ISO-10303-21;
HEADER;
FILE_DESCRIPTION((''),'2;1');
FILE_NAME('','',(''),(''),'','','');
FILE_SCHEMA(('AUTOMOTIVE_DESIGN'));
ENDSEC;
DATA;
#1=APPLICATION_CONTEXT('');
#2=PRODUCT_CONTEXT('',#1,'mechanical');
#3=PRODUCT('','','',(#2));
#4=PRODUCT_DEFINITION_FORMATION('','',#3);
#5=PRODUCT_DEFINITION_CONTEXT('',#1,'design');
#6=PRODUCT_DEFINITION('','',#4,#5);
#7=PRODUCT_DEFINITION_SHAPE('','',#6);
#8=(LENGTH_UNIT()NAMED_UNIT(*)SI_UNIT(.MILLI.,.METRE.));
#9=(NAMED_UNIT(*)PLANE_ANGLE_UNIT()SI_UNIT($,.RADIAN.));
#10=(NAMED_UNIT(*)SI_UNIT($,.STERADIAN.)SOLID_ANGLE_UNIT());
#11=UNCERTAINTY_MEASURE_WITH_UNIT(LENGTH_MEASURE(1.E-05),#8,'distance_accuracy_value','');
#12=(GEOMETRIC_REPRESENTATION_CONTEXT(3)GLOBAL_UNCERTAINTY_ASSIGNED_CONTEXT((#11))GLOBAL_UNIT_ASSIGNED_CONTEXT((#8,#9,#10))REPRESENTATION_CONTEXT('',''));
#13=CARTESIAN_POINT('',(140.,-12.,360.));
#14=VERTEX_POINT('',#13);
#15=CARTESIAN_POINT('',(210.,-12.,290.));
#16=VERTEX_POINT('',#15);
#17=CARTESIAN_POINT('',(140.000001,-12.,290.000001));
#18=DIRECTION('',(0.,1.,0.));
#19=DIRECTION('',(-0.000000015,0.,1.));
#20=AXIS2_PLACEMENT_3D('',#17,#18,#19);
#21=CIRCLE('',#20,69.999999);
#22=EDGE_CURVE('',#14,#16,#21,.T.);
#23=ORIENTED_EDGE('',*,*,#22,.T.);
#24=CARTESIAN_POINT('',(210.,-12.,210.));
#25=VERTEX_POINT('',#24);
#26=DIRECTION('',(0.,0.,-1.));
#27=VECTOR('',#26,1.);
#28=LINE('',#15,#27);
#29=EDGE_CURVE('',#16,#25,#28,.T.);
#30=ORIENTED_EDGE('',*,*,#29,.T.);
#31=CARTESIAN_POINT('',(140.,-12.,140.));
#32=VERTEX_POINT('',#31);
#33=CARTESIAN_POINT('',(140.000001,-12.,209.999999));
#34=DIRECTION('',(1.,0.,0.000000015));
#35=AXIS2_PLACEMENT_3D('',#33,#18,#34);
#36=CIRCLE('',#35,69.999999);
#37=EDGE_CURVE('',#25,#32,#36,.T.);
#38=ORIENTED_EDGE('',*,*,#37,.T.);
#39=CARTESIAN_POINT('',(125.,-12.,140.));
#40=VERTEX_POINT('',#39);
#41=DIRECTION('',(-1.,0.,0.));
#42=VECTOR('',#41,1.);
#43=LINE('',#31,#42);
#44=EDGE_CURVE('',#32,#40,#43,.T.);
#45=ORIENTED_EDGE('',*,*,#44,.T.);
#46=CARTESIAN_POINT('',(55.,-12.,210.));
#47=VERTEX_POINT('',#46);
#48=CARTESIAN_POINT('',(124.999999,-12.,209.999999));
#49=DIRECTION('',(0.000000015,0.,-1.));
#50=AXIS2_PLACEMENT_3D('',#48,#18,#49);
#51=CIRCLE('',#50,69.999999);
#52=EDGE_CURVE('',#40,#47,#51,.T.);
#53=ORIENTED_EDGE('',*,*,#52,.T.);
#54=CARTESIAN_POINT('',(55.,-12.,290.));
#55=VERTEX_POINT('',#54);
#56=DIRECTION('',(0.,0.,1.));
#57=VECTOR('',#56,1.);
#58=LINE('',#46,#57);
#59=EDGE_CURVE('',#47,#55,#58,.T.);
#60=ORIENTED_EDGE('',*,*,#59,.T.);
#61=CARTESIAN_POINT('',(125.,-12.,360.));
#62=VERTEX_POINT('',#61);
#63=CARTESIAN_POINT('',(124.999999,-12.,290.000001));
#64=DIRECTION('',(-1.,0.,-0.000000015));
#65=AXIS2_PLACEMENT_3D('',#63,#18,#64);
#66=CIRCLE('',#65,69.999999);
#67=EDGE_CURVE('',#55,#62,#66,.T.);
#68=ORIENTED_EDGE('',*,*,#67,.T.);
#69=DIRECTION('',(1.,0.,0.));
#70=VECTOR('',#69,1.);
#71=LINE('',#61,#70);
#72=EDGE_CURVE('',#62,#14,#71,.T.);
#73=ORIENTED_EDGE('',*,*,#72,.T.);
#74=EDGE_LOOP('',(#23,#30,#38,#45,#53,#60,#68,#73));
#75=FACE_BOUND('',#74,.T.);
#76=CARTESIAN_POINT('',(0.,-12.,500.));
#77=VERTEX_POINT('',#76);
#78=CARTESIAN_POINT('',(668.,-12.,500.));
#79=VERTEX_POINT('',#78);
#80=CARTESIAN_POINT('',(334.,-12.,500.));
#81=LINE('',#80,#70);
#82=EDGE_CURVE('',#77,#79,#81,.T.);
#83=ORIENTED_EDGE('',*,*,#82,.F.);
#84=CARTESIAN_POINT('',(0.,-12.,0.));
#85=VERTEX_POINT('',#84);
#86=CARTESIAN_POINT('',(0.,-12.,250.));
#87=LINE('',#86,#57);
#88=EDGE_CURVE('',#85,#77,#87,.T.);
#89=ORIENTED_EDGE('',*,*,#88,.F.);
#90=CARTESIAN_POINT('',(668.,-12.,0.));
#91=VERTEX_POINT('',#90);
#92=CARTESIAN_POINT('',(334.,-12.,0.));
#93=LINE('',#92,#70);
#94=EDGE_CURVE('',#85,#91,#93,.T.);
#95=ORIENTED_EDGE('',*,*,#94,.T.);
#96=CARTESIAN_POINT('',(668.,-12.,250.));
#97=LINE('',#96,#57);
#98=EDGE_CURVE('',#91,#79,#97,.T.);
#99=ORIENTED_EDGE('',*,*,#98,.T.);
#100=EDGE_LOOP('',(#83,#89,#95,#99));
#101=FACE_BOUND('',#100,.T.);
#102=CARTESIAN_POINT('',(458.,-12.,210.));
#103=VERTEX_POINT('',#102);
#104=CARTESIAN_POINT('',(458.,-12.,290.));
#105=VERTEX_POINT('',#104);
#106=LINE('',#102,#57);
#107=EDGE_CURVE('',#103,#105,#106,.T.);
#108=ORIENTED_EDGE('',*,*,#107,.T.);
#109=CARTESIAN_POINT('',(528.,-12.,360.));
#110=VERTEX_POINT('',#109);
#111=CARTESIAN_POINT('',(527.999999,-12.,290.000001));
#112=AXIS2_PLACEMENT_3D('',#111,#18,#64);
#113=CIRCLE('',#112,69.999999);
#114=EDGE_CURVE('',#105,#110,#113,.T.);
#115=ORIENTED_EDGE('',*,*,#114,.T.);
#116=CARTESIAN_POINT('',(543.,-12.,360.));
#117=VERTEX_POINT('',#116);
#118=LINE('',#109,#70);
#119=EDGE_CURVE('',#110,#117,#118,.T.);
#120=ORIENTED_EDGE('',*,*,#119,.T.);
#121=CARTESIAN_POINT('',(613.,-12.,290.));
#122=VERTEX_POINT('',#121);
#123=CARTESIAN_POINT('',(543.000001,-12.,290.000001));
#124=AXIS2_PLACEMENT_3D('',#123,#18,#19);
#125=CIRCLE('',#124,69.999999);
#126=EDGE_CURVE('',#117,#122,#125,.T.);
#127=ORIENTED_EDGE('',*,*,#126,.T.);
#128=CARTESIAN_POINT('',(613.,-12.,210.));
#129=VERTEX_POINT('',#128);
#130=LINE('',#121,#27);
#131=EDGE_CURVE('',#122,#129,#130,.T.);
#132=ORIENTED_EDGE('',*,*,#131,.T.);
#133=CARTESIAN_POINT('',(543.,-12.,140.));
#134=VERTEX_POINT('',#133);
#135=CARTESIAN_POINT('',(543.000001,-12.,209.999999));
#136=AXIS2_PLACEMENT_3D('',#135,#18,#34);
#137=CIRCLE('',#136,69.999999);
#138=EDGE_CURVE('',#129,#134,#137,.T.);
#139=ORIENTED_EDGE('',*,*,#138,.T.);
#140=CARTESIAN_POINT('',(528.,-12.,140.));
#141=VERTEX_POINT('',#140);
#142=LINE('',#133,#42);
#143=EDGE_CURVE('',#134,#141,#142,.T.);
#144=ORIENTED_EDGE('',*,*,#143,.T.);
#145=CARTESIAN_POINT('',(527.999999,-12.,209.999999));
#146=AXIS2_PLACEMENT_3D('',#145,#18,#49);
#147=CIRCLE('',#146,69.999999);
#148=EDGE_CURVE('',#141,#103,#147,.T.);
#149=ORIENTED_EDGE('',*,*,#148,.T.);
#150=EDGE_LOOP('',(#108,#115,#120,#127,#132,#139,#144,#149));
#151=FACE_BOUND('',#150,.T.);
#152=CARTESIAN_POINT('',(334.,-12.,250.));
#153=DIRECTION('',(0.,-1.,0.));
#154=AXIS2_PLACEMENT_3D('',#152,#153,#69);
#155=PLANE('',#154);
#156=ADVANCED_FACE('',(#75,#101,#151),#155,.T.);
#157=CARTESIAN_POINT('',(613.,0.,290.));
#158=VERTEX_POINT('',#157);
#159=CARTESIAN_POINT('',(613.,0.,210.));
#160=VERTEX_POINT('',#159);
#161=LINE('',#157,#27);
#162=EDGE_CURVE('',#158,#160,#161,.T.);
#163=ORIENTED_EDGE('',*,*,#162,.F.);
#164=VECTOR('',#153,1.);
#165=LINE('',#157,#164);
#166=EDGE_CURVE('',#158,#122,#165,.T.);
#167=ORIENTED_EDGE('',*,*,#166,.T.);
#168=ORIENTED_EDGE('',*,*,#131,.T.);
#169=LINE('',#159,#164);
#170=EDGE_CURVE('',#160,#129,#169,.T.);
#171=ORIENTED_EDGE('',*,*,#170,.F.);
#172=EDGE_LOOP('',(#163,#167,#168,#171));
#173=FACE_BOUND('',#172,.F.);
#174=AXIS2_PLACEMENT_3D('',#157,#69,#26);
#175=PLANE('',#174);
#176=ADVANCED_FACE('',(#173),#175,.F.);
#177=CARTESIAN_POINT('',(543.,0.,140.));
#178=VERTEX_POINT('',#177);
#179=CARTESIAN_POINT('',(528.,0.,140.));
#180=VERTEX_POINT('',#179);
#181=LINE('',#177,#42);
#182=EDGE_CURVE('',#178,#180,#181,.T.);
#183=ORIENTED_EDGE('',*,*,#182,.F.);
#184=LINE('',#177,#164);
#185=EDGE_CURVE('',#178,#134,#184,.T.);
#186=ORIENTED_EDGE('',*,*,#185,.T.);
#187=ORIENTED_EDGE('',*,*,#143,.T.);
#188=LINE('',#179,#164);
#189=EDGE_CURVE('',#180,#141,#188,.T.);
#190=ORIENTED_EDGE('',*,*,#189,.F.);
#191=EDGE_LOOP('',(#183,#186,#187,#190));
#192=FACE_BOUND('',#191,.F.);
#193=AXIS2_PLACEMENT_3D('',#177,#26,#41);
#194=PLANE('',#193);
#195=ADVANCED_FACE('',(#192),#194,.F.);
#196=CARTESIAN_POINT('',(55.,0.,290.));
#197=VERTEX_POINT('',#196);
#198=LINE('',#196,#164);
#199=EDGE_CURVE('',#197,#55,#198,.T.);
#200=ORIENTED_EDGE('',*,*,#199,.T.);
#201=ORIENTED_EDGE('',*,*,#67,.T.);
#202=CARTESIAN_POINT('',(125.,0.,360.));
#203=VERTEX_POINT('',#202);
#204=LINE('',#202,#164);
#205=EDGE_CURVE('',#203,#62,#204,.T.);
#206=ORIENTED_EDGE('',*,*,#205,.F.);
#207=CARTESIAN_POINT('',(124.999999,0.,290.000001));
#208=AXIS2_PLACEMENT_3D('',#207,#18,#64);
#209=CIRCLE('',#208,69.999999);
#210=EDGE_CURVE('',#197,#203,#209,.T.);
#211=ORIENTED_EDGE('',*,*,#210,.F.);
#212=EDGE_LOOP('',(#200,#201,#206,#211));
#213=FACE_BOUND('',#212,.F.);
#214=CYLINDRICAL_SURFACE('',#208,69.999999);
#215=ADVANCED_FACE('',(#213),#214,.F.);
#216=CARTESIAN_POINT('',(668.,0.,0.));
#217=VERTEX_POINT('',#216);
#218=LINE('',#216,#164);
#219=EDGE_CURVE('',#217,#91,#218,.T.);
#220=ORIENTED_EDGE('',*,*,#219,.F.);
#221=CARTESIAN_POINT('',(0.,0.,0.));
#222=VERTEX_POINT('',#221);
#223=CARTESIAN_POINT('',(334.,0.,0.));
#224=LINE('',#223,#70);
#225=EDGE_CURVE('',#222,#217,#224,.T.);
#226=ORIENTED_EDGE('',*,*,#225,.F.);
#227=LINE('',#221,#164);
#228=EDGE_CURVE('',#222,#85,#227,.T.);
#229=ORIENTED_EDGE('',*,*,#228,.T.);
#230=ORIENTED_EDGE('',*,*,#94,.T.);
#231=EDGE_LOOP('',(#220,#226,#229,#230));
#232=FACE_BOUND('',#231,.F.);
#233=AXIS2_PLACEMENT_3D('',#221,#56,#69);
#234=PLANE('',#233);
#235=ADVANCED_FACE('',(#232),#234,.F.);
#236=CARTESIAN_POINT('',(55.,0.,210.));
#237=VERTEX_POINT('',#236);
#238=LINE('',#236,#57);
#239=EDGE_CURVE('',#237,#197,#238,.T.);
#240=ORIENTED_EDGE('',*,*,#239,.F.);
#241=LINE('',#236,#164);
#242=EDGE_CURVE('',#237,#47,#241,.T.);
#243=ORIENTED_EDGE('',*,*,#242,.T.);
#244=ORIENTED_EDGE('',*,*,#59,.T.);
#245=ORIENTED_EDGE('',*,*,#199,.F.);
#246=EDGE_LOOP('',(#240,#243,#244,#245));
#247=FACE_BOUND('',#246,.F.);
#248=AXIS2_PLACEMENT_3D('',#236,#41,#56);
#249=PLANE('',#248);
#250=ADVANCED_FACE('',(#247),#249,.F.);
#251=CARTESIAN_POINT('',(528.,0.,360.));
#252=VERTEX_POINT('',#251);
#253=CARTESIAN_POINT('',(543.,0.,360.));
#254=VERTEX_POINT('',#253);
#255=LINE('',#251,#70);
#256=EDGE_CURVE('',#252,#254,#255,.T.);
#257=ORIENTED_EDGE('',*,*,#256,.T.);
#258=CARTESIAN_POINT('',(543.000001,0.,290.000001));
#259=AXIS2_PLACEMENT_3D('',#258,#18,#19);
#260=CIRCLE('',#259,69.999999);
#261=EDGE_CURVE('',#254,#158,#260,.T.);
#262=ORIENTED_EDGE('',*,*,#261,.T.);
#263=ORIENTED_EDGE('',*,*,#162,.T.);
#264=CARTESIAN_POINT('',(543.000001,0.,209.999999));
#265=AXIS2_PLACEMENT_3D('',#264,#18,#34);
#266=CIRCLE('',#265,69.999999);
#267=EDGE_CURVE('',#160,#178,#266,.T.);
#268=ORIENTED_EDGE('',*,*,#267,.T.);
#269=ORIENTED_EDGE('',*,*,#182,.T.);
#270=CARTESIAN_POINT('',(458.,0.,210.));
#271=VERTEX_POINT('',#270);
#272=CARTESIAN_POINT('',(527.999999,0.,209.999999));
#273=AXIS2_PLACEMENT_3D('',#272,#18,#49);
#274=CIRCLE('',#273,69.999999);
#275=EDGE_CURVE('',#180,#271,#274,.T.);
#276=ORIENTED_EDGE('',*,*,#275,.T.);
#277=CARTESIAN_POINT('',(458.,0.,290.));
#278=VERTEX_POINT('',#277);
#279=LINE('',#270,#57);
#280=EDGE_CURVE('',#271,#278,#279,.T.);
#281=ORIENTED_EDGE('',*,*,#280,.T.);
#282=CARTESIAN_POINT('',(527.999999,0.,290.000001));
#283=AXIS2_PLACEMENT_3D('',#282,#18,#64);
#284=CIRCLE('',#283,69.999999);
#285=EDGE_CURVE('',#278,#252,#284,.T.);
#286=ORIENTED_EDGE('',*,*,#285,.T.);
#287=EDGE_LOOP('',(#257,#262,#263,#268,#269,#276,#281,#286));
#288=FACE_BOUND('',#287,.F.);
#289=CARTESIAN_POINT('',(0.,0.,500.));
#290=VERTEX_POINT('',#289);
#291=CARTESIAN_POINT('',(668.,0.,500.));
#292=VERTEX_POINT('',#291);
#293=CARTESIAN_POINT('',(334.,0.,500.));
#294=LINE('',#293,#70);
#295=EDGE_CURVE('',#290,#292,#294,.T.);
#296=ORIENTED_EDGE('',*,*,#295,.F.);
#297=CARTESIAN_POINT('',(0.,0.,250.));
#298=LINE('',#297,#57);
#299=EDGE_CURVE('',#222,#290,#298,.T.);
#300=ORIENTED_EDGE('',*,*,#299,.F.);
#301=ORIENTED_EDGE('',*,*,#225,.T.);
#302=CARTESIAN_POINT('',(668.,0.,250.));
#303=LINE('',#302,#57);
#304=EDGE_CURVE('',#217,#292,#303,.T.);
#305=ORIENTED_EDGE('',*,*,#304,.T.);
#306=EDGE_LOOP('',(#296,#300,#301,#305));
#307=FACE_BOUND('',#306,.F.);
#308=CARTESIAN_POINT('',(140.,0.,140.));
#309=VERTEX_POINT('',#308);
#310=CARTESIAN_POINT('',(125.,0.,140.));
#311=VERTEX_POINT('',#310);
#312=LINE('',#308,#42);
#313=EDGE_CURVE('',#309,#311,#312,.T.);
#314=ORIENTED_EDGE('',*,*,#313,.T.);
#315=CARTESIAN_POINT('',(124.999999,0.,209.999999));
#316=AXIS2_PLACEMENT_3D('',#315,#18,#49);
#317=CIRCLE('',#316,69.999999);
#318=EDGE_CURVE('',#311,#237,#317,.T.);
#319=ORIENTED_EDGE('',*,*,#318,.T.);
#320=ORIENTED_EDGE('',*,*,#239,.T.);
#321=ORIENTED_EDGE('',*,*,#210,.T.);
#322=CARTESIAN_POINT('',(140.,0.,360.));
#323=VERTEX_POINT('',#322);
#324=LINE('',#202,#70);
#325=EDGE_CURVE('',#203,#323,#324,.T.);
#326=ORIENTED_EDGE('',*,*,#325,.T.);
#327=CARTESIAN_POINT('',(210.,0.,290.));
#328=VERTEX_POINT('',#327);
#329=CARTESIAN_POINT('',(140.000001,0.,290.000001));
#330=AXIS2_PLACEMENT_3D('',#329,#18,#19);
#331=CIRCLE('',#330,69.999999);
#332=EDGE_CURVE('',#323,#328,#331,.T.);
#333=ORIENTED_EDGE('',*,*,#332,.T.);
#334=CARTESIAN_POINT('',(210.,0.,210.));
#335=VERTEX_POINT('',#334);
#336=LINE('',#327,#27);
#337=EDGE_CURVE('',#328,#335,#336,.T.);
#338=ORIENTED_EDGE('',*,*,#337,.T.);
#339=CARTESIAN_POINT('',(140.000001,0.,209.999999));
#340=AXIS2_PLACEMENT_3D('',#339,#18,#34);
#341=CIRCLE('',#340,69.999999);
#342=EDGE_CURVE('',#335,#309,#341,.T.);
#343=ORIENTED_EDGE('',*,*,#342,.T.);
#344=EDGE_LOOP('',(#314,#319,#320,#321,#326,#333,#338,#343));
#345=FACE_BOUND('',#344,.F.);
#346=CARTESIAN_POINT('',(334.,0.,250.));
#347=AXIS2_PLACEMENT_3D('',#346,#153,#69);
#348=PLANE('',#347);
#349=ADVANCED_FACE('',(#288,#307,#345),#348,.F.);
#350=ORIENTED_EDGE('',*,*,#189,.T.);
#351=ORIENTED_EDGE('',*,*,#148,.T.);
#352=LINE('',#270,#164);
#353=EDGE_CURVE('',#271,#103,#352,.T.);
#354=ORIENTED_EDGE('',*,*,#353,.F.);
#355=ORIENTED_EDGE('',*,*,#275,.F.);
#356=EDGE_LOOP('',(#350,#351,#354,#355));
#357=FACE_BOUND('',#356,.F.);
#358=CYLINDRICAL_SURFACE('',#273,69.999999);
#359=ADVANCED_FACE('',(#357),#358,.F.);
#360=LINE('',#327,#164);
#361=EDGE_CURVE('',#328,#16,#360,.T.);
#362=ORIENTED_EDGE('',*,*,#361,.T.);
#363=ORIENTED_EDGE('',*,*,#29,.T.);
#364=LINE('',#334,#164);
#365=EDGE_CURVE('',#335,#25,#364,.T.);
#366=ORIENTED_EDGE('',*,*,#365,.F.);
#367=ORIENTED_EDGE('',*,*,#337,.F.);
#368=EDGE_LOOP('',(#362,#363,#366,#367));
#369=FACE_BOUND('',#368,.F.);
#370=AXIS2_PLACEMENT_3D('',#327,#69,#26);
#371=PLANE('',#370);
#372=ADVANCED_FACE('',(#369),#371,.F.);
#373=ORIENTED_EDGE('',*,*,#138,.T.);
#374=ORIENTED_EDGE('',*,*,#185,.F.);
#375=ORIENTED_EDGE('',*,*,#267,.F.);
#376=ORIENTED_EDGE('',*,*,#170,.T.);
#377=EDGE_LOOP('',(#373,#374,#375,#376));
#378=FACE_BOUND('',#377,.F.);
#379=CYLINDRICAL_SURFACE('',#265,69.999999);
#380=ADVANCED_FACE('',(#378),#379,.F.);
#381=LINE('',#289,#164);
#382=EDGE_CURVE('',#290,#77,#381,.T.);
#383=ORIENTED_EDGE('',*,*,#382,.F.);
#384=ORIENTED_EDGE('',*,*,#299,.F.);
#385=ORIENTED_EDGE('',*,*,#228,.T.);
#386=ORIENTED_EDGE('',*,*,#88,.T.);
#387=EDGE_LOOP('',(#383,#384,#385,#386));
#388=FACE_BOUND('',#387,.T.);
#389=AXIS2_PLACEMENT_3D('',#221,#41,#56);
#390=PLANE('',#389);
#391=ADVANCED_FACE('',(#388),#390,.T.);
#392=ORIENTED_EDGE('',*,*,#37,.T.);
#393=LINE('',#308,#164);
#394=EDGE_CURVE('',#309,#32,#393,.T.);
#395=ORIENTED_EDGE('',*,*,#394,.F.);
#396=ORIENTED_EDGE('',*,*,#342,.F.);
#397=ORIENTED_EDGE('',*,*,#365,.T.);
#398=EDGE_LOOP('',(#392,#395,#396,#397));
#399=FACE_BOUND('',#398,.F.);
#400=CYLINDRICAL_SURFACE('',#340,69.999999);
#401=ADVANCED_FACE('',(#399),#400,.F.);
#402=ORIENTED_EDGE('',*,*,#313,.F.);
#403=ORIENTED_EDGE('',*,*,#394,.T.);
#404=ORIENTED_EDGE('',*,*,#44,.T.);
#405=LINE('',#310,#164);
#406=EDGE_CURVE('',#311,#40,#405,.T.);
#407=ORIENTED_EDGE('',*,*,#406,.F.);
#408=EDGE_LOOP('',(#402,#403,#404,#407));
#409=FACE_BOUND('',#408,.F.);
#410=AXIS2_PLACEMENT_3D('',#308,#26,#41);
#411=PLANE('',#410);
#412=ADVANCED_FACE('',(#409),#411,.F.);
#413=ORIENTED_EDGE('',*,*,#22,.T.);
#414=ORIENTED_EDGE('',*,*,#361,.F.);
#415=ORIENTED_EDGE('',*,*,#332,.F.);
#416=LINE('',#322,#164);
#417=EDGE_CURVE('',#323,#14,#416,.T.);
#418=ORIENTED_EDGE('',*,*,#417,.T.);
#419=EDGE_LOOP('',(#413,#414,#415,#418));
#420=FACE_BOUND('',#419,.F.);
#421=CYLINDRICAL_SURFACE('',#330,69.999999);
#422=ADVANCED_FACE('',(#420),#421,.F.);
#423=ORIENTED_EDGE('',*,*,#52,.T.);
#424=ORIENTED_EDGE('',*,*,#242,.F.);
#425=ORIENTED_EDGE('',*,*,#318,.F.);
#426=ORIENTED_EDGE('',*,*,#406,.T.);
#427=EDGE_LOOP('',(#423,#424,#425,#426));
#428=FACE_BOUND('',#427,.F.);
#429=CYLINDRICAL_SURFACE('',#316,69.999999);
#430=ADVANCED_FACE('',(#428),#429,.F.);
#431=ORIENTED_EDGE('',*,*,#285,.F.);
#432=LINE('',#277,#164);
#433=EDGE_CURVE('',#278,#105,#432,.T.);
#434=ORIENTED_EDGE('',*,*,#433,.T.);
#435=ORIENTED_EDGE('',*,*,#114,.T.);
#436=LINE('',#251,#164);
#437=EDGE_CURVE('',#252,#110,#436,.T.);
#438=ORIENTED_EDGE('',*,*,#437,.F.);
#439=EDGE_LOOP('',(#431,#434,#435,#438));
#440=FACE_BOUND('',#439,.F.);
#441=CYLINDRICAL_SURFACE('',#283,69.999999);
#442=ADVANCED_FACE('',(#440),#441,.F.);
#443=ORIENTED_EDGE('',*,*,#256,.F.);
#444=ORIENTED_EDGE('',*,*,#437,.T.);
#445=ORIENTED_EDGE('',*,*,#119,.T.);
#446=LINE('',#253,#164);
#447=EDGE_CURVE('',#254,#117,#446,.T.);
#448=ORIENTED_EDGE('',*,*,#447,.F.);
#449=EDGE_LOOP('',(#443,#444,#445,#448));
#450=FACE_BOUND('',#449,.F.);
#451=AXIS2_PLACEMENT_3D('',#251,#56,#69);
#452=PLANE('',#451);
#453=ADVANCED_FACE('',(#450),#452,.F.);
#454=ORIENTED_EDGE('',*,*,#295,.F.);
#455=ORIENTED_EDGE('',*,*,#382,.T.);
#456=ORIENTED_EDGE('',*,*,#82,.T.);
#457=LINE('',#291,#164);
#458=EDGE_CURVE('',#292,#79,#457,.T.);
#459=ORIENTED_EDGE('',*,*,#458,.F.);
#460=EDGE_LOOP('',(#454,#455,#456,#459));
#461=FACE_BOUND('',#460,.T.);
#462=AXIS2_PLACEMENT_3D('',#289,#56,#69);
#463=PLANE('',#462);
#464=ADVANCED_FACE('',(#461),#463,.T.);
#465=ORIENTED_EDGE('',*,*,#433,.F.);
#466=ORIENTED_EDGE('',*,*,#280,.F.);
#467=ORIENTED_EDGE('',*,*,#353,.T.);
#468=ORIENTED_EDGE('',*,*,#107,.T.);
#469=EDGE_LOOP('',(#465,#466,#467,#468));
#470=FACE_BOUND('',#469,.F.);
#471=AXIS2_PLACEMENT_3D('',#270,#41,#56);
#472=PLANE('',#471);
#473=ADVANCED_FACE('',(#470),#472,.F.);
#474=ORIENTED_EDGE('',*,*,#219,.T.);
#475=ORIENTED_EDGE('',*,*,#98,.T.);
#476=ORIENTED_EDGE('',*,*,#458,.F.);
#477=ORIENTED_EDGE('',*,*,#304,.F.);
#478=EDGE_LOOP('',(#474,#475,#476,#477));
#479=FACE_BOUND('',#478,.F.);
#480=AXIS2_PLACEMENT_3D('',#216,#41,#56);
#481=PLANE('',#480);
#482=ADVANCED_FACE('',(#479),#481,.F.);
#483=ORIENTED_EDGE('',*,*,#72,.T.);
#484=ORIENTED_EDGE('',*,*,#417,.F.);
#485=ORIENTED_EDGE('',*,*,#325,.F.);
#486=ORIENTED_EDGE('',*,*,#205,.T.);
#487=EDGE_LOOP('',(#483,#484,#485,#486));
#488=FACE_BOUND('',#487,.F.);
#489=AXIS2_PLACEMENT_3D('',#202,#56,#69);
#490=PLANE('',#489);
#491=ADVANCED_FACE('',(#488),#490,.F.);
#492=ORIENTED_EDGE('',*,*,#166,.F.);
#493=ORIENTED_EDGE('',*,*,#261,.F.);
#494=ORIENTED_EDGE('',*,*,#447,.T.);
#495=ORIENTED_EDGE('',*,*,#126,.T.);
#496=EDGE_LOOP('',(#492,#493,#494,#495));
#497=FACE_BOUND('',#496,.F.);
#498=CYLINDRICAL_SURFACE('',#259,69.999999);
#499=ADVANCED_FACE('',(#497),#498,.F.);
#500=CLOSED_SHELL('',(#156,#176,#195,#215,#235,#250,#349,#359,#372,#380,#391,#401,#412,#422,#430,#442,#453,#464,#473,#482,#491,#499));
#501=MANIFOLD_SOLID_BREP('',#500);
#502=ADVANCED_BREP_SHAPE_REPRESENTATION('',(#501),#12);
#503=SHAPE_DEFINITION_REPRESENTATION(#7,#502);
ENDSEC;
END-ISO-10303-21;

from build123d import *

# Parameters (mm, degrees)
F0_W     = 668
F0_H     = 500
F1_DEPTH = 12


with BuildPart() as f1:
    # F0 (on Front) → F1 (new body)
    with BuildSketch(Plane.XZ):
        with Locations((334, 250)):
            Rectangle(F0_W, F0_H)
        with BuildLine():
            Line((140, 140), (125, 140))
            ThreePointArc((125, 140), (75.502525, 160.502525), (55, 210))
            Line((55, 210), (55, 290))
            ThreePointArc((55, 290), (75.502525, 339.497475), (125, 360))
            Line((125, 360), (140, 360))
            ThreePointArc((140, 360), (189.497475, 339.497475), (210, 290))
            Line((210, 290), (210, 210))
            ThreePointArc((210, 210), (189.497475, 160.502525), (140, 140))
        make_face(mode=Mode.SUBTRACT)
        with BuildLine():
            Line((543, 140), (528, 140))
            ThreePointArc((528, 140), (478.502525, 160.502525), (458, 210))
            Line((458, 210), (458, 290))
            ThreePointArc((458, 290), (478.502525, 339.497475), (528, 360))
            Line((528, 360), (543, 360))
            ThreePointArc((543, 360), (592.497475, 339.497475), (613, 290))
            Line((613, 290), (613, 210))
            ThreePointArc((613, 210), (592.497475, 160.502525), (543, 140))
        make_face(mode=Mode.SUBTRACT)
    extrude(amount=F1_DEPTH)


solid = f1.part
